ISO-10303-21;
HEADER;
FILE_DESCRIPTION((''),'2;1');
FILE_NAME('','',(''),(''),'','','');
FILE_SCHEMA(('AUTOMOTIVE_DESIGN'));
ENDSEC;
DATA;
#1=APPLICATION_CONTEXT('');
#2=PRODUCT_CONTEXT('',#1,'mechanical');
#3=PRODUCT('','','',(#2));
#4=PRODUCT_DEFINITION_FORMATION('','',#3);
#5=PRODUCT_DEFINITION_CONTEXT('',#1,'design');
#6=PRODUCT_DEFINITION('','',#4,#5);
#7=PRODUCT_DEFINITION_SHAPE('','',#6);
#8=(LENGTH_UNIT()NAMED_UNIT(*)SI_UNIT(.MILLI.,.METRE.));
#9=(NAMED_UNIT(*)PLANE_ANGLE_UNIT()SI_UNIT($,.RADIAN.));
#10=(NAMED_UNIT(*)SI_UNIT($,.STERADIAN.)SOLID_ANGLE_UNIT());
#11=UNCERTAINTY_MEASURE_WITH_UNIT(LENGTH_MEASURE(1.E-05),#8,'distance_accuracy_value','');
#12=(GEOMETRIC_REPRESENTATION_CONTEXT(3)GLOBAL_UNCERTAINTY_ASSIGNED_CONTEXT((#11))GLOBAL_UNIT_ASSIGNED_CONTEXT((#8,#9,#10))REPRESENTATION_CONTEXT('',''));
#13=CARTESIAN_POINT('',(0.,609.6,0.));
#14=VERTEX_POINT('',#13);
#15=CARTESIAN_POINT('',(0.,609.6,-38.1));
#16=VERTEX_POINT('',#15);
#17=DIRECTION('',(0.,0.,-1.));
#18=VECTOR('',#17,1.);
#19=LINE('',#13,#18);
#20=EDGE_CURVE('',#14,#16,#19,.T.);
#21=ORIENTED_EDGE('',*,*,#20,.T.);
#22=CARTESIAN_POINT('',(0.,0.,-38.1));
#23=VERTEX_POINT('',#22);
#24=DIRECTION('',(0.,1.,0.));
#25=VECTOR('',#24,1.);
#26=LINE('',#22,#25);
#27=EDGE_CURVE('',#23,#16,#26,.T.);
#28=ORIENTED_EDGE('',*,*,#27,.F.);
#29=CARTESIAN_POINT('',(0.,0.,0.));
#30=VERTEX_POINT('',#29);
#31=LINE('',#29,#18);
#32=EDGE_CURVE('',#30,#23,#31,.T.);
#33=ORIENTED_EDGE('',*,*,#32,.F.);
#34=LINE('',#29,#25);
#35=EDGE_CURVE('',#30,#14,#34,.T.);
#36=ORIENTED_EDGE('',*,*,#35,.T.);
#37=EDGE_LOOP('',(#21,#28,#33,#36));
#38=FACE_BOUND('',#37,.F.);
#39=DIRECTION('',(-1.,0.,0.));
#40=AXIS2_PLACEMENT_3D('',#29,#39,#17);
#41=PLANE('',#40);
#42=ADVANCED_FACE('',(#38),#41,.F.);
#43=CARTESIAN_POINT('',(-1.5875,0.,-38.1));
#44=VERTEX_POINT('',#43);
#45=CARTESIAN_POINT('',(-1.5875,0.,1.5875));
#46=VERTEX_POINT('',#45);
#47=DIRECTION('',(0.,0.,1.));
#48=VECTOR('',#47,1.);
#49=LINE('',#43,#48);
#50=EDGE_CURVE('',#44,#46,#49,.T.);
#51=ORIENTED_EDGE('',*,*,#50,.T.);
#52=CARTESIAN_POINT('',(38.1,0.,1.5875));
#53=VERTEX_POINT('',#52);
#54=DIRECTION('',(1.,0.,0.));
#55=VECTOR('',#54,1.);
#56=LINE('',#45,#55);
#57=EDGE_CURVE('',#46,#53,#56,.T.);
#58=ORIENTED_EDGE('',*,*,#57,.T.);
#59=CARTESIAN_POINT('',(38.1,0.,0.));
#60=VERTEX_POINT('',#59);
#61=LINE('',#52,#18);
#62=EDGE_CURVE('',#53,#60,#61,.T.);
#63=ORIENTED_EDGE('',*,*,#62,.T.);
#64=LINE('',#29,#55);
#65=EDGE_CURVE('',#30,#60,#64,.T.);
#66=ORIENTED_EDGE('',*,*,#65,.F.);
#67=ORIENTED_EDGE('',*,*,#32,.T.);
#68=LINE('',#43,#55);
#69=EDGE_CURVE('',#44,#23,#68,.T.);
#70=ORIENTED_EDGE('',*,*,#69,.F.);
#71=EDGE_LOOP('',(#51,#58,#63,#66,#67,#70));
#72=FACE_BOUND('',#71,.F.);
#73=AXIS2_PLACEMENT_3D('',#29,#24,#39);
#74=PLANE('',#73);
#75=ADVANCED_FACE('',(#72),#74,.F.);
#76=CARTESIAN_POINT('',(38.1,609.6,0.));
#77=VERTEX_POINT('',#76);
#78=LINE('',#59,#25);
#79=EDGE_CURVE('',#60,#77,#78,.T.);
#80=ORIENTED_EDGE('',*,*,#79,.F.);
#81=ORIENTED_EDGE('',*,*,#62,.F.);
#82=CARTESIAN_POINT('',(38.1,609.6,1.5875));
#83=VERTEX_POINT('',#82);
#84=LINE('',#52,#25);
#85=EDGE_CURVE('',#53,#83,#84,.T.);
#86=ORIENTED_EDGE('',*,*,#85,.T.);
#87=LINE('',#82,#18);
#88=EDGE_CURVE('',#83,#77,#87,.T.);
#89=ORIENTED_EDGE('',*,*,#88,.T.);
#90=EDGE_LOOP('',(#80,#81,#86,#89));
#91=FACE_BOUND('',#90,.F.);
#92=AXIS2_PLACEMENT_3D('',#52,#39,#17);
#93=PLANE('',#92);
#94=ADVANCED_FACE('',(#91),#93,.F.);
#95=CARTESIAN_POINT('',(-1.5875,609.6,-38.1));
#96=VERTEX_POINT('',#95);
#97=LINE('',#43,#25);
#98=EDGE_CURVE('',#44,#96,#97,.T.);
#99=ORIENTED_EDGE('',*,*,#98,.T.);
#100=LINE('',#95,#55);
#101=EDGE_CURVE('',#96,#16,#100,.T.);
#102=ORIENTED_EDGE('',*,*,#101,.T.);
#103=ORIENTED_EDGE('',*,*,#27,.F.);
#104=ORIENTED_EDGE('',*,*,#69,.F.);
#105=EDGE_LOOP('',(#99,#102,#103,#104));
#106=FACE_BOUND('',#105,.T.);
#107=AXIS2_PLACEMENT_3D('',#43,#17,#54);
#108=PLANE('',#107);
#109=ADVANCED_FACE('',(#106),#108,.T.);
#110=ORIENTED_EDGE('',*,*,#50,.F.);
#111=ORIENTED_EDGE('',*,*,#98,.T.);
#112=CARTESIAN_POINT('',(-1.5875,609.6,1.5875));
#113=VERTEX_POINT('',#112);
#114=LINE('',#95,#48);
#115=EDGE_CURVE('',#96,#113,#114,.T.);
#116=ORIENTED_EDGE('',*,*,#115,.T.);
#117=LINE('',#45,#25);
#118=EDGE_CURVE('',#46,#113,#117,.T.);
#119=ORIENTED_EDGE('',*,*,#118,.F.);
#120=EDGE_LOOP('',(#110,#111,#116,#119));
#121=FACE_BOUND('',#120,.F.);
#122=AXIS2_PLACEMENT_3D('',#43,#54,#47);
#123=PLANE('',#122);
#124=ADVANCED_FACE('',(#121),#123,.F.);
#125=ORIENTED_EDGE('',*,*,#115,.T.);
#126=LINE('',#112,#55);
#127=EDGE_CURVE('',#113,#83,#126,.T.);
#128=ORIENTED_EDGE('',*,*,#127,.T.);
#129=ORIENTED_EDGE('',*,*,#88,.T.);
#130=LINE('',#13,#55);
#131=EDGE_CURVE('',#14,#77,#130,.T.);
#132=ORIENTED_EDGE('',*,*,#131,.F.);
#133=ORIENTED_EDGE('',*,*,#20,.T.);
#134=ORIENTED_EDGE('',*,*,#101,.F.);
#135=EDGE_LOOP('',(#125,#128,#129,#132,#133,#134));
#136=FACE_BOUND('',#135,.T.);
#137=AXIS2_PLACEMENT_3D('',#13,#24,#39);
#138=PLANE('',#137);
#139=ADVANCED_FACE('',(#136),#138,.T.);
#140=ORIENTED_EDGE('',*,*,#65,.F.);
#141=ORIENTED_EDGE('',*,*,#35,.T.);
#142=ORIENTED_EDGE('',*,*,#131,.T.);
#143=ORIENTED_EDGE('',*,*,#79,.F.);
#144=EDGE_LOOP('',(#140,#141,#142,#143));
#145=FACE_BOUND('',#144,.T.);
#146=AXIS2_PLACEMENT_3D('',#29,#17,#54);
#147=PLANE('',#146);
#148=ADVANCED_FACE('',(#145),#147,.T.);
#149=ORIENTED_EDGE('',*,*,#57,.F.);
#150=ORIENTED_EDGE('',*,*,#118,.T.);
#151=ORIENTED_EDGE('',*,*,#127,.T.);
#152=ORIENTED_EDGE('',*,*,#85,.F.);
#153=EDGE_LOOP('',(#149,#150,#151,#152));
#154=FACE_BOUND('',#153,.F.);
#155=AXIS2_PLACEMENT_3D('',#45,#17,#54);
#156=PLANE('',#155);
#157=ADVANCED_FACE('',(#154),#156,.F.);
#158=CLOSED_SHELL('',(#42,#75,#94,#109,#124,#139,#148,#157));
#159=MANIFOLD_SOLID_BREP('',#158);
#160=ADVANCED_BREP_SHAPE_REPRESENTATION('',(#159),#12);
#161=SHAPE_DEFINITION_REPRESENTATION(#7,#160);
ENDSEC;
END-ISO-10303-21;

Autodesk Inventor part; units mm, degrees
ref_plane "YZ Plane" through (0, 0, 0) normal (1, 0, 0) x (0, 1, 0)
ref_plane "XZ Plane" through (0, 0, 0) normal (0, 1, 0) x (-1, 0, 0)
ref_plane "XY Plane" through (0, 0, 0) normal (0, 0, 1) x (1, 0, 0)
sketch "Sketch1" plane through (0, 0, 0) normal (0, 1, 0) x (-1, 0, 0)
  line L0 (0, 0) -> (0, -38.1)
  line L1 (0, 0) -> (-38.1, 0)
  line L2 (1.5875, -38.1) -> (1.5875, 1.5875)
  line L3 (1.5875, 1.5875) -> (-38.1, 1.5875)
  line L4 (1.5875, -38.1) -> (0, -38.1)
  line L5 (-38.1, 1.5875) -> (-38.1, 0)
  dimension "d0" = 38.1
  dimension "d1" = 38.1
  dimension "d2" = 1.5875
extrude "Extrusion1" add sketch "Sketch1" along normal blind 609.6
properties part number "24-inch-L"
